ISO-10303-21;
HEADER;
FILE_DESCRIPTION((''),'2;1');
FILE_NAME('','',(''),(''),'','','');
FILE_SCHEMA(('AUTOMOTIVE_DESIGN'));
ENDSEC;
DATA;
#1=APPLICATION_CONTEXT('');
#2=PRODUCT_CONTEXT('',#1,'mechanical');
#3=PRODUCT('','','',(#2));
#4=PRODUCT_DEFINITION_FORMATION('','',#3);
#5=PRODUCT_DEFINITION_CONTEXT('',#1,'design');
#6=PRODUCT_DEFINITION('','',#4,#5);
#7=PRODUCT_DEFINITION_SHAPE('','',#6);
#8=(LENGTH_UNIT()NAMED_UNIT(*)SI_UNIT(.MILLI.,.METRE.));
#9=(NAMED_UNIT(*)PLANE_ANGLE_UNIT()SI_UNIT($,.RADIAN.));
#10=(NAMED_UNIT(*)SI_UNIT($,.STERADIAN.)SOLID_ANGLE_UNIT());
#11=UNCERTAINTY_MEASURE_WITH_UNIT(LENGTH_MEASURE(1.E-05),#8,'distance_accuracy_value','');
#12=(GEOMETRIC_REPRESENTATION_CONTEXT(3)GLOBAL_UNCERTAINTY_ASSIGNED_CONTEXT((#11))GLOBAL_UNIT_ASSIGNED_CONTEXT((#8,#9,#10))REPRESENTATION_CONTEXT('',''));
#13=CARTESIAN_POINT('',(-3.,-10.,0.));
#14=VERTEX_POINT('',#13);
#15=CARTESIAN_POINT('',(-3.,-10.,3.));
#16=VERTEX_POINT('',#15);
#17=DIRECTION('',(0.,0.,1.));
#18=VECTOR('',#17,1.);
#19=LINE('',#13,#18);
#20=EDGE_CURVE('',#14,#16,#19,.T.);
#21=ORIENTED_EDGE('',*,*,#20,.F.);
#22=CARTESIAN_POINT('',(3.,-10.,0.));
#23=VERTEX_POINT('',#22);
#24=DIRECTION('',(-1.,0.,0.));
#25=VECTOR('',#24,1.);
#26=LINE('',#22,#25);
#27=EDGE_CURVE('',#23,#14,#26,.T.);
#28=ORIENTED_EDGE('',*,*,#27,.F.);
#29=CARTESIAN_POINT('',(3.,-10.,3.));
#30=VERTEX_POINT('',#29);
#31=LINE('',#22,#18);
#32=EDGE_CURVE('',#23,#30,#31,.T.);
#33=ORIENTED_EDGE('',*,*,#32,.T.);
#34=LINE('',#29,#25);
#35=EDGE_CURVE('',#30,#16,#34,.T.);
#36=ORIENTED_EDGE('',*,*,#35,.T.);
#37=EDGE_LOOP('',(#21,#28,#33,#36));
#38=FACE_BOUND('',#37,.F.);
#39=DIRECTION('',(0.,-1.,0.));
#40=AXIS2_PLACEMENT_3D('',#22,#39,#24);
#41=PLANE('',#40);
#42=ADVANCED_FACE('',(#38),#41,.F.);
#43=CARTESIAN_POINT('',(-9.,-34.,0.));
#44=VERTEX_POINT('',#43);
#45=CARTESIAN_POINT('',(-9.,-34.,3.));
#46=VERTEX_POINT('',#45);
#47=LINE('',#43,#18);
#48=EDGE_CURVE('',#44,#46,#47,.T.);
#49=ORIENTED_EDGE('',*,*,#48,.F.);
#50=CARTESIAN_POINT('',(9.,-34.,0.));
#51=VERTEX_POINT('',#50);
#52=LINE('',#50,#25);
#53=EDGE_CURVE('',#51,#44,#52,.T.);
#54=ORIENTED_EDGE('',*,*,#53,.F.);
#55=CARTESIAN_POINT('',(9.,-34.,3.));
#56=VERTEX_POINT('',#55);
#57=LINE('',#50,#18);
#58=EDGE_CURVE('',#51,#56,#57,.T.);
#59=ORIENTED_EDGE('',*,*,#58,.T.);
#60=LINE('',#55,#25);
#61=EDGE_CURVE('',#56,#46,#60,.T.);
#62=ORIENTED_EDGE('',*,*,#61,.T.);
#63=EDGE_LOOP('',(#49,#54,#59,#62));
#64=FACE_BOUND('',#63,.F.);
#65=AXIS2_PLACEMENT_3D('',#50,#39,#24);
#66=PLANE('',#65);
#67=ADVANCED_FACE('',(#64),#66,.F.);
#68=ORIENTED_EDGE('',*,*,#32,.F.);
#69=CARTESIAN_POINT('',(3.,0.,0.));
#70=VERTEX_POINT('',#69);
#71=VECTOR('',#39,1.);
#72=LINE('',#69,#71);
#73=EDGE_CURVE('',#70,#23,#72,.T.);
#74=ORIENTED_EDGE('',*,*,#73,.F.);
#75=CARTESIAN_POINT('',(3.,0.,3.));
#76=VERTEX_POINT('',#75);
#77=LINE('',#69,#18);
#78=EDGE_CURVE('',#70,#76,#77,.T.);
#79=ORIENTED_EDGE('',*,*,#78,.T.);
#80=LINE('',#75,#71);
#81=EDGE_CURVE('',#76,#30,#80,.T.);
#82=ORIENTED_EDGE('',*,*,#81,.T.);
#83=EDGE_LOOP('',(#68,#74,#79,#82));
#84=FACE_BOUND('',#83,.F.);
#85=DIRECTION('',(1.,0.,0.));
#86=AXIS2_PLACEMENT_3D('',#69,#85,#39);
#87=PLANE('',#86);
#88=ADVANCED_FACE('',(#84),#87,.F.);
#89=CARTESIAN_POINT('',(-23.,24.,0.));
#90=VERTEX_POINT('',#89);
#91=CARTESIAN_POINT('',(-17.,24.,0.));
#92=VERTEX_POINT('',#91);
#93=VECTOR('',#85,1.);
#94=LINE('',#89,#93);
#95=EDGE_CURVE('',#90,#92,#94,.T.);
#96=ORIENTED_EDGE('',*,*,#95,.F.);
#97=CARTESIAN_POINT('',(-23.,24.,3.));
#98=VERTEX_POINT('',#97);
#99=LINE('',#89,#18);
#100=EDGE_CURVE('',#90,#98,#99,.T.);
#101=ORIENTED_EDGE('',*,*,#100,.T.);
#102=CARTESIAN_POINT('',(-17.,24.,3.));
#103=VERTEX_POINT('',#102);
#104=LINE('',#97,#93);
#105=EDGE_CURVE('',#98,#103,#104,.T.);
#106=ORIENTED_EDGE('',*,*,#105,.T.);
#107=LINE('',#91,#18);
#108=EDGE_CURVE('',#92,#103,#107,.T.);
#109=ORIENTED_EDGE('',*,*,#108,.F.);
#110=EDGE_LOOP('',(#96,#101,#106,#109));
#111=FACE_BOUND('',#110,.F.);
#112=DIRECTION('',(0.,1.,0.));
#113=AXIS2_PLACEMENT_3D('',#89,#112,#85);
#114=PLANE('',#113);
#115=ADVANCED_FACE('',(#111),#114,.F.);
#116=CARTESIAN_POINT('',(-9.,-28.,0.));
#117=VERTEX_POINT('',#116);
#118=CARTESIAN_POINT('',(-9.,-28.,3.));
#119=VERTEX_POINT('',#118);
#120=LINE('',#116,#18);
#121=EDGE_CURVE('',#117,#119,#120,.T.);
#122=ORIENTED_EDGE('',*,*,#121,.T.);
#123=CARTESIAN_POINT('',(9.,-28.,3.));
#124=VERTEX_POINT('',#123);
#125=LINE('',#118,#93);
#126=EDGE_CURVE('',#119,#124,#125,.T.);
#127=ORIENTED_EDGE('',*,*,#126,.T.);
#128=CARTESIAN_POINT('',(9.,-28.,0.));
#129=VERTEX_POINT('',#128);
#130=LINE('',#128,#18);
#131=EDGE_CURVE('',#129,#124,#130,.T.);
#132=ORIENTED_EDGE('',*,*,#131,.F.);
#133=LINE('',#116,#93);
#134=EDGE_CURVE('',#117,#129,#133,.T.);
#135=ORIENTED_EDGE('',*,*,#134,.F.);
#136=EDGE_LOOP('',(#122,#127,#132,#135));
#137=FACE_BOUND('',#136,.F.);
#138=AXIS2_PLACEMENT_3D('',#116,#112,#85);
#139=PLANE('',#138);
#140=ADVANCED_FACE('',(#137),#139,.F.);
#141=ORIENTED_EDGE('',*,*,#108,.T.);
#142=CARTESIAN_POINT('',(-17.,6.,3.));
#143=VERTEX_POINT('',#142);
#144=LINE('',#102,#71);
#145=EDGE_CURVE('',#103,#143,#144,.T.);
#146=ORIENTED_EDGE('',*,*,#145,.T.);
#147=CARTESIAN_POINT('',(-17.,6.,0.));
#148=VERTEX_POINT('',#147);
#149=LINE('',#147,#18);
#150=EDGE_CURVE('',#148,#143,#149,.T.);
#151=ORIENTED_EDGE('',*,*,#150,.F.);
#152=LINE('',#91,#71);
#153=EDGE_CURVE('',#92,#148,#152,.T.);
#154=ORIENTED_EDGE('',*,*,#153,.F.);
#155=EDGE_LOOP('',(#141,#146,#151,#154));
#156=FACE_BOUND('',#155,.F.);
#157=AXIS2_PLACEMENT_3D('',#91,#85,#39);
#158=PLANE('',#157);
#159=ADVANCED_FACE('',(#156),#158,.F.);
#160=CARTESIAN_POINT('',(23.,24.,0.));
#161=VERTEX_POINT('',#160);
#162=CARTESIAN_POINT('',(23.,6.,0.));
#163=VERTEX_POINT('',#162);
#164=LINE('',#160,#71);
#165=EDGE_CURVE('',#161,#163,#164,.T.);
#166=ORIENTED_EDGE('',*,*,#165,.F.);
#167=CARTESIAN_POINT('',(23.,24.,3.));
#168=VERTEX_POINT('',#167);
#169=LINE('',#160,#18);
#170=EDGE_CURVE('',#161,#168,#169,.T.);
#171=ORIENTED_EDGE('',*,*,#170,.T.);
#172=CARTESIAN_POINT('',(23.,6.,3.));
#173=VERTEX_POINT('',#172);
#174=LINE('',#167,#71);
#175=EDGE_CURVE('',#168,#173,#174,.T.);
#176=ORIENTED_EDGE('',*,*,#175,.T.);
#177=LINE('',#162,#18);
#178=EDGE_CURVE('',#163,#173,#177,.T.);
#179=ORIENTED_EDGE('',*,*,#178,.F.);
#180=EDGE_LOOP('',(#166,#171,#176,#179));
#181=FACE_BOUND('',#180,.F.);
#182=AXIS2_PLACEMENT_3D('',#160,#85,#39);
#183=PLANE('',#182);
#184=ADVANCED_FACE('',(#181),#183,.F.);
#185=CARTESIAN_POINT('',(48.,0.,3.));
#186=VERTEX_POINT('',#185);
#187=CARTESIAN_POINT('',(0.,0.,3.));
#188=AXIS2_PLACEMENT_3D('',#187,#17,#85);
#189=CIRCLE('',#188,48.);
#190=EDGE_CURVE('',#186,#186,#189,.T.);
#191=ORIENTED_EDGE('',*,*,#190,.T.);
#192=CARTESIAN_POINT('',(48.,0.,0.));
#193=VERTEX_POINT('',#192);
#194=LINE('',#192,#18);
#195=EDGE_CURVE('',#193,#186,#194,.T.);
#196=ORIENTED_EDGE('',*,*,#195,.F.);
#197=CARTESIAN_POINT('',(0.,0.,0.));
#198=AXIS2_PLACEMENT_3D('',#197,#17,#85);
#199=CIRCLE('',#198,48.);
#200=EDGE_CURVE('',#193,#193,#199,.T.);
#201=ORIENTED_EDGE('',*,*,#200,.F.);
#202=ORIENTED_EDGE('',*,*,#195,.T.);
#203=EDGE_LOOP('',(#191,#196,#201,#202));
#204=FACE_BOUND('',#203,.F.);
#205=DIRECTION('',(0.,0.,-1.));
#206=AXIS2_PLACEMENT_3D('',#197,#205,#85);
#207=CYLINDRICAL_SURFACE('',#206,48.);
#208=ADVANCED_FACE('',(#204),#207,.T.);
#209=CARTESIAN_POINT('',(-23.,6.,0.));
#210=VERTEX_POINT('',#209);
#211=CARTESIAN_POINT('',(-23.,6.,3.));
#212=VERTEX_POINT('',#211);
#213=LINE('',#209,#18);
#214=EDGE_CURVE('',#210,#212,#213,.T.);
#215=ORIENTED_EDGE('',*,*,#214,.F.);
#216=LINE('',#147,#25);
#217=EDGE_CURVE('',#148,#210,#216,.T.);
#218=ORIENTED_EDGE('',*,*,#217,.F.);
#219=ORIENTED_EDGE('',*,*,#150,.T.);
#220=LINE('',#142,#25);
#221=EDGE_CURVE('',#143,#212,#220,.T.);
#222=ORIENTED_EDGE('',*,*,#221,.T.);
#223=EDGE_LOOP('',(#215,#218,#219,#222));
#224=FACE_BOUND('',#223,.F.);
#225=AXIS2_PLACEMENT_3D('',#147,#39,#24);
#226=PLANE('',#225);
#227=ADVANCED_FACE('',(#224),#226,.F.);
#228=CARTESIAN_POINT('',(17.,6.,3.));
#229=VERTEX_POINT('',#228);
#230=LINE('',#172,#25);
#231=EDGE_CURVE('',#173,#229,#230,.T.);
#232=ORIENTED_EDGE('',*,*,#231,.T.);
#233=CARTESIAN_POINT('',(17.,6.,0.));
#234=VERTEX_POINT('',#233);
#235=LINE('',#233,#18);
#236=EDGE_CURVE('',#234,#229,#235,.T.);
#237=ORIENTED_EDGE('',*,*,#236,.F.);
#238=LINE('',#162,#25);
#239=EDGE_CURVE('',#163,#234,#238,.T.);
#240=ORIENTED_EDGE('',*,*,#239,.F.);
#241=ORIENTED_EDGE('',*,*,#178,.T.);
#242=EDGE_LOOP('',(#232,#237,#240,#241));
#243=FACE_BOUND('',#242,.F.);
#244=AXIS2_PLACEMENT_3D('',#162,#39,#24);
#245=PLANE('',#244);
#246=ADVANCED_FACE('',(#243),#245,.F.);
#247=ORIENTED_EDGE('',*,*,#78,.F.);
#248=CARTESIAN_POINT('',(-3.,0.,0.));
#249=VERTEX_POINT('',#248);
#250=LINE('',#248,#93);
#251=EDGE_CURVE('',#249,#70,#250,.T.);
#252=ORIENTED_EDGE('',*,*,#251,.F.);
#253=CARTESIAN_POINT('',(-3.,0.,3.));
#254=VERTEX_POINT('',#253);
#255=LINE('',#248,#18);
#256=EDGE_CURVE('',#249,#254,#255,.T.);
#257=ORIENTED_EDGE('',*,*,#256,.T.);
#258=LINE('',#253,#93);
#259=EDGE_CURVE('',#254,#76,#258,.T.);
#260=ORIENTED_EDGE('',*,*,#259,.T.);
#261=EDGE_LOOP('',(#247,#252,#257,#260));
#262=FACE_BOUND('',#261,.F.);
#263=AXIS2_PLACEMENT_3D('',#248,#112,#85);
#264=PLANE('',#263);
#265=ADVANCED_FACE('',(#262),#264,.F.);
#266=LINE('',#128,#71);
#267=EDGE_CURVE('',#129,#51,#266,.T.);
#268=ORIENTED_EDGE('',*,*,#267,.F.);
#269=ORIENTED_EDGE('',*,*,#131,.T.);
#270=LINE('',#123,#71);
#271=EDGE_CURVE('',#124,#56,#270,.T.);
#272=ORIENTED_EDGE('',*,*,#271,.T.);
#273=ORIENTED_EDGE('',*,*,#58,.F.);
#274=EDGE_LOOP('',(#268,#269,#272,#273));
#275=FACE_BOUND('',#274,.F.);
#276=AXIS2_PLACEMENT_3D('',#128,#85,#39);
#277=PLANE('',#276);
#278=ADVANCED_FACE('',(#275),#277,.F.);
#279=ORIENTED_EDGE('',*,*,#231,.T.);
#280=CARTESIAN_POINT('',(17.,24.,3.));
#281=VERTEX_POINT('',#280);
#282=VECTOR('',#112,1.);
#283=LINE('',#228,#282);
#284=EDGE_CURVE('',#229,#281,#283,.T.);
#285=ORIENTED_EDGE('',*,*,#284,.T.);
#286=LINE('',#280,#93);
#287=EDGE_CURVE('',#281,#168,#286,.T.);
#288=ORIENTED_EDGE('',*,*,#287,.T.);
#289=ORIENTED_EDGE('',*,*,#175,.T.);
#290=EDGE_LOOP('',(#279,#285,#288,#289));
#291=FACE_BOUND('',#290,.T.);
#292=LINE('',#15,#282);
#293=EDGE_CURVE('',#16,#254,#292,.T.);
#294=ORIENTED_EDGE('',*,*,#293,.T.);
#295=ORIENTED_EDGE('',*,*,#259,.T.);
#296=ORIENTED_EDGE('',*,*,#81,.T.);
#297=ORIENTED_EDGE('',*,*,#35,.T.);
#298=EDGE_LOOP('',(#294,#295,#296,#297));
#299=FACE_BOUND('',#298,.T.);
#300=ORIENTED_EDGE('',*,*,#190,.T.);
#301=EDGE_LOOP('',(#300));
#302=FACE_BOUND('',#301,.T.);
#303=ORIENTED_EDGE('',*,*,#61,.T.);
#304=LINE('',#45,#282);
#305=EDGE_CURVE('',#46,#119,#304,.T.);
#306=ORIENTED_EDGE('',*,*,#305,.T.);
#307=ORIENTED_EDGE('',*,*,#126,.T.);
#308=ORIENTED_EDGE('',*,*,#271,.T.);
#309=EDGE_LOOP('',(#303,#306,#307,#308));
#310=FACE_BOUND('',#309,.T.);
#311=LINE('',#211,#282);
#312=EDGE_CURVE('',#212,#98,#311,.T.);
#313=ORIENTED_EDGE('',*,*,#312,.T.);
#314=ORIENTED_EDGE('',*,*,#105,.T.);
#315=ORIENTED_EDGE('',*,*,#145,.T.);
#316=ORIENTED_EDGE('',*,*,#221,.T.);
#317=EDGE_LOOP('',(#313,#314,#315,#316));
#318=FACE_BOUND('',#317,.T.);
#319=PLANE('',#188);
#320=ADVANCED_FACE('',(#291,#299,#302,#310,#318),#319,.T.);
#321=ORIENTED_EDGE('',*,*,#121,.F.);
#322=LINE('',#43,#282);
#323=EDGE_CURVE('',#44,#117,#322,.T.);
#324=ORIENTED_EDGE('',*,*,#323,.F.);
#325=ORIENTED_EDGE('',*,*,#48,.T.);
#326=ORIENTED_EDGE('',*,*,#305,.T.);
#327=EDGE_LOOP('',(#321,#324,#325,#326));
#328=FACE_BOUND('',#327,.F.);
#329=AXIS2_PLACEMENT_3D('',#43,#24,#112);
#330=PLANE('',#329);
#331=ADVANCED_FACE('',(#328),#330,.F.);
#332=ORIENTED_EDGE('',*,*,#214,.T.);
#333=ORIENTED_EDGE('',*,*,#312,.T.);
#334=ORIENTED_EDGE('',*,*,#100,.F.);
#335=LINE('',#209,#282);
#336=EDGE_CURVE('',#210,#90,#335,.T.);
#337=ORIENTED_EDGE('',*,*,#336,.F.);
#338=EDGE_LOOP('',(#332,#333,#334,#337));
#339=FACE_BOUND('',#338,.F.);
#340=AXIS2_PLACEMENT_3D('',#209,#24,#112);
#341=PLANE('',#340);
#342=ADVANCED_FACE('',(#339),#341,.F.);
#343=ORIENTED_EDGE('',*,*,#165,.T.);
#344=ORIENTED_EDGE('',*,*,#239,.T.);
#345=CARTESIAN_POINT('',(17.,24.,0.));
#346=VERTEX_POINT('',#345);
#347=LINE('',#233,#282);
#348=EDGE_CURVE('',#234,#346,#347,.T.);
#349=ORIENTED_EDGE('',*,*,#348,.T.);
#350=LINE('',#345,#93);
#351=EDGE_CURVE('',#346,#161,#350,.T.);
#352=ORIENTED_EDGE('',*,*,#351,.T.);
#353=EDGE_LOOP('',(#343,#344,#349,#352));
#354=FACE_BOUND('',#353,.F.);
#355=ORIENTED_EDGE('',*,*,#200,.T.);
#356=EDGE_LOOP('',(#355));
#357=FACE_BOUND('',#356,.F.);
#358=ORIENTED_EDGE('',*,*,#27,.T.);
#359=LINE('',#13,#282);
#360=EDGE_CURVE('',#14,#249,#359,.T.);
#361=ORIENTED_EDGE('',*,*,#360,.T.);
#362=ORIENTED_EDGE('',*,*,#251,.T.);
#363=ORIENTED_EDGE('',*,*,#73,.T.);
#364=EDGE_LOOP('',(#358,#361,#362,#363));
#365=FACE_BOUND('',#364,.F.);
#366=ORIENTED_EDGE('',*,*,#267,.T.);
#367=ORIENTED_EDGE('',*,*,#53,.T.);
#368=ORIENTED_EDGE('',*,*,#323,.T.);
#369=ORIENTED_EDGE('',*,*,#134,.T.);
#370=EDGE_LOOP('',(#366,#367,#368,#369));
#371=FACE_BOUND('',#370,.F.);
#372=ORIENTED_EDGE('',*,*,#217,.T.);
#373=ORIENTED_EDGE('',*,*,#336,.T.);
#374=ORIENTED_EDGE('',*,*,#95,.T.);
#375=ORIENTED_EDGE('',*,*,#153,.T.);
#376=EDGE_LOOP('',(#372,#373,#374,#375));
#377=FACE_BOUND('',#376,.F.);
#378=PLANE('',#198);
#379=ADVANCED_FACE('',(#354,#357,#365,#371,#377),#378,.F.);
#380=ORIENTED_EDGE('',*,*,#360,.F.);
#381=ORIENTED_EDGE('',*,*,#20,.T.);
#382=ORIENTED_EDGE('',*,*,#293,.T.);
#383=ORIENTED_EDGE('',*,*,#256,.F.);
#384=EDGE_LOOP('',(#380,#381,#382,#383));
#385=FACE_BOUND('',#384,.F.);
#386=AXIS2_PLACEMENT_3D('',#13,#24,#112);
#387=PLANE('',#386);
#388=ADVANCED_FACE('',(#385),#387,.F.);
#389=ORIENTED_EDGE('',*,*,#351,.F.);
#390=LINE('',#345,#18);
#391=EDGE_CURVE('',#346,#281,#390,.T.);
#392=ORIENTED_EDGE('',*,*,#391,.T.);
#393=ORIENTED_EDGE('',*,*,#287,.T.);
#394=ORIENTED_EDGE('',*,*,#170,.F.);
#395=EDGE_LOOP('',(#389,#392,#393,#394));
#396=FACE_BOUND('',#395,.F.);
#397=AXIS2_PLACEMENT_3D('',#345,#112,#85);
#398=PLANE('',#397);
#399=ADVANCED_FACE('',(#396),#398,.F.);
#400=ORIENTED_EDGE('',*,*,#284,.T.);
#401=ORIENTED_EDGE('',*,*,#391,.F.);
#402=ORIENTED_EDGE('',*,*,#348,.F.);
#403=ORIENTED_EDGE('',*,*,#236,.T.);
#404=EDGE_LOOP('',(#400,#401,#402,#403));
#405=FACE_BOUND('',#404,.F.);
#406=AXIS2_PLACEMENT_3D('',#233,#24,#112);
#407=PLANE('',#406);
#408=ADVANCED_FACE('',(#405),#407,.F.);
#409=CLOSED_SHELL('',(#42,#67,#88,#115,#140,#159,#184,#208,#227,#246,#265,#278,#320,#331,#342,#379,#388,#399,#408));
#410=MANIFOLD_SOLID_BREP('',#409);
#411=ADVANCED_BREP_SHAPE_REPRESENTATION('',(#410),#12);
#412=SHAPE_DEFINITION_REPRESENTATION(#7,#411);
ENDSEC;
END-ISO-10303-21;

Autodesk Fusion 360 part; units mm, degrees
sketch "Sketch1" plane through (0, 0, 0) normal (0, 0, 1) x (1, 0, 0)
  circle A0 centre (0, 0) radius 48
  line L0 (9, -34) -> (-9, -34)
  line L1 (-9, -34) -> (-9, -28)
  line L2 (-9, -28) -> (9, -28)
  line L3 (9, -28) -> (9, -34)
  line L4 (9, -34) -> (-9, -28) construction
  line L5 (-9, -34) -> (9, -28) construction
  line L6 (3, -10) -> (-3, -10)
  line L7 (-3, -10) -> (-3, 0)
  line L8 (-3, 0) -> (3, 0)
  line L9 (3, 0) -> (3, -10)
  line L10 (3, -10) -> (-3, 0) construction
  line L11 (-3, -10) -> (3, 0) construction
  line L12 (-17, 6) -> (-23, 6)
  line L13 (-23, 6) -> (-23, 24)
  line L14 (-23, 24) -> (-17, 24)
  line L15 (-17, 24) -> (-17, 6)
  line L16 (-17, 6) -> (-23, 24) construction
  line L17 (-23, 6) -> (-17, 24) construction
  line L18 (23, 6) -> (17, 6)
  line L19 (17, 6) -> (17, 24)
  line L20 (17, 24) -> (23, 24)
  line L21 (23, 24) -> (23, 6)
  line L22 (23, 6) -> (17, 24) construction
  line L23 (17, 6) -> (23, 24) construction
  line L24 (0, -48) -> (0, 48) construction
  line L25 (-20, 15) -> (20, 15) construction
  point P0 (0, -31)
  point P1 (-20, 15)
  point P2 (0, -5)
  point P3 (20, 15)
  point P4 (0, -31)
  point P5 (0, -5)
  point P6 (-20, 15)
  point P7 (20, 15)
  point P8 (0, 15)
  dimension "d1" = 96
  dimension "d2" = 18
  dimension "d3" = 6
  dimension "d4" = 10
  dimension "d5" = 6
  dimension "d6" = 18
  dimension "d7" = 6
  dimension "d8" = 18
  dimension "d9" = 6
  dimension "d12" = 31
  dimension "d13" = 40
  dimension "d14" = 15
extrude "Extrude3" add sketch "Sketch1" along normal blind 3
